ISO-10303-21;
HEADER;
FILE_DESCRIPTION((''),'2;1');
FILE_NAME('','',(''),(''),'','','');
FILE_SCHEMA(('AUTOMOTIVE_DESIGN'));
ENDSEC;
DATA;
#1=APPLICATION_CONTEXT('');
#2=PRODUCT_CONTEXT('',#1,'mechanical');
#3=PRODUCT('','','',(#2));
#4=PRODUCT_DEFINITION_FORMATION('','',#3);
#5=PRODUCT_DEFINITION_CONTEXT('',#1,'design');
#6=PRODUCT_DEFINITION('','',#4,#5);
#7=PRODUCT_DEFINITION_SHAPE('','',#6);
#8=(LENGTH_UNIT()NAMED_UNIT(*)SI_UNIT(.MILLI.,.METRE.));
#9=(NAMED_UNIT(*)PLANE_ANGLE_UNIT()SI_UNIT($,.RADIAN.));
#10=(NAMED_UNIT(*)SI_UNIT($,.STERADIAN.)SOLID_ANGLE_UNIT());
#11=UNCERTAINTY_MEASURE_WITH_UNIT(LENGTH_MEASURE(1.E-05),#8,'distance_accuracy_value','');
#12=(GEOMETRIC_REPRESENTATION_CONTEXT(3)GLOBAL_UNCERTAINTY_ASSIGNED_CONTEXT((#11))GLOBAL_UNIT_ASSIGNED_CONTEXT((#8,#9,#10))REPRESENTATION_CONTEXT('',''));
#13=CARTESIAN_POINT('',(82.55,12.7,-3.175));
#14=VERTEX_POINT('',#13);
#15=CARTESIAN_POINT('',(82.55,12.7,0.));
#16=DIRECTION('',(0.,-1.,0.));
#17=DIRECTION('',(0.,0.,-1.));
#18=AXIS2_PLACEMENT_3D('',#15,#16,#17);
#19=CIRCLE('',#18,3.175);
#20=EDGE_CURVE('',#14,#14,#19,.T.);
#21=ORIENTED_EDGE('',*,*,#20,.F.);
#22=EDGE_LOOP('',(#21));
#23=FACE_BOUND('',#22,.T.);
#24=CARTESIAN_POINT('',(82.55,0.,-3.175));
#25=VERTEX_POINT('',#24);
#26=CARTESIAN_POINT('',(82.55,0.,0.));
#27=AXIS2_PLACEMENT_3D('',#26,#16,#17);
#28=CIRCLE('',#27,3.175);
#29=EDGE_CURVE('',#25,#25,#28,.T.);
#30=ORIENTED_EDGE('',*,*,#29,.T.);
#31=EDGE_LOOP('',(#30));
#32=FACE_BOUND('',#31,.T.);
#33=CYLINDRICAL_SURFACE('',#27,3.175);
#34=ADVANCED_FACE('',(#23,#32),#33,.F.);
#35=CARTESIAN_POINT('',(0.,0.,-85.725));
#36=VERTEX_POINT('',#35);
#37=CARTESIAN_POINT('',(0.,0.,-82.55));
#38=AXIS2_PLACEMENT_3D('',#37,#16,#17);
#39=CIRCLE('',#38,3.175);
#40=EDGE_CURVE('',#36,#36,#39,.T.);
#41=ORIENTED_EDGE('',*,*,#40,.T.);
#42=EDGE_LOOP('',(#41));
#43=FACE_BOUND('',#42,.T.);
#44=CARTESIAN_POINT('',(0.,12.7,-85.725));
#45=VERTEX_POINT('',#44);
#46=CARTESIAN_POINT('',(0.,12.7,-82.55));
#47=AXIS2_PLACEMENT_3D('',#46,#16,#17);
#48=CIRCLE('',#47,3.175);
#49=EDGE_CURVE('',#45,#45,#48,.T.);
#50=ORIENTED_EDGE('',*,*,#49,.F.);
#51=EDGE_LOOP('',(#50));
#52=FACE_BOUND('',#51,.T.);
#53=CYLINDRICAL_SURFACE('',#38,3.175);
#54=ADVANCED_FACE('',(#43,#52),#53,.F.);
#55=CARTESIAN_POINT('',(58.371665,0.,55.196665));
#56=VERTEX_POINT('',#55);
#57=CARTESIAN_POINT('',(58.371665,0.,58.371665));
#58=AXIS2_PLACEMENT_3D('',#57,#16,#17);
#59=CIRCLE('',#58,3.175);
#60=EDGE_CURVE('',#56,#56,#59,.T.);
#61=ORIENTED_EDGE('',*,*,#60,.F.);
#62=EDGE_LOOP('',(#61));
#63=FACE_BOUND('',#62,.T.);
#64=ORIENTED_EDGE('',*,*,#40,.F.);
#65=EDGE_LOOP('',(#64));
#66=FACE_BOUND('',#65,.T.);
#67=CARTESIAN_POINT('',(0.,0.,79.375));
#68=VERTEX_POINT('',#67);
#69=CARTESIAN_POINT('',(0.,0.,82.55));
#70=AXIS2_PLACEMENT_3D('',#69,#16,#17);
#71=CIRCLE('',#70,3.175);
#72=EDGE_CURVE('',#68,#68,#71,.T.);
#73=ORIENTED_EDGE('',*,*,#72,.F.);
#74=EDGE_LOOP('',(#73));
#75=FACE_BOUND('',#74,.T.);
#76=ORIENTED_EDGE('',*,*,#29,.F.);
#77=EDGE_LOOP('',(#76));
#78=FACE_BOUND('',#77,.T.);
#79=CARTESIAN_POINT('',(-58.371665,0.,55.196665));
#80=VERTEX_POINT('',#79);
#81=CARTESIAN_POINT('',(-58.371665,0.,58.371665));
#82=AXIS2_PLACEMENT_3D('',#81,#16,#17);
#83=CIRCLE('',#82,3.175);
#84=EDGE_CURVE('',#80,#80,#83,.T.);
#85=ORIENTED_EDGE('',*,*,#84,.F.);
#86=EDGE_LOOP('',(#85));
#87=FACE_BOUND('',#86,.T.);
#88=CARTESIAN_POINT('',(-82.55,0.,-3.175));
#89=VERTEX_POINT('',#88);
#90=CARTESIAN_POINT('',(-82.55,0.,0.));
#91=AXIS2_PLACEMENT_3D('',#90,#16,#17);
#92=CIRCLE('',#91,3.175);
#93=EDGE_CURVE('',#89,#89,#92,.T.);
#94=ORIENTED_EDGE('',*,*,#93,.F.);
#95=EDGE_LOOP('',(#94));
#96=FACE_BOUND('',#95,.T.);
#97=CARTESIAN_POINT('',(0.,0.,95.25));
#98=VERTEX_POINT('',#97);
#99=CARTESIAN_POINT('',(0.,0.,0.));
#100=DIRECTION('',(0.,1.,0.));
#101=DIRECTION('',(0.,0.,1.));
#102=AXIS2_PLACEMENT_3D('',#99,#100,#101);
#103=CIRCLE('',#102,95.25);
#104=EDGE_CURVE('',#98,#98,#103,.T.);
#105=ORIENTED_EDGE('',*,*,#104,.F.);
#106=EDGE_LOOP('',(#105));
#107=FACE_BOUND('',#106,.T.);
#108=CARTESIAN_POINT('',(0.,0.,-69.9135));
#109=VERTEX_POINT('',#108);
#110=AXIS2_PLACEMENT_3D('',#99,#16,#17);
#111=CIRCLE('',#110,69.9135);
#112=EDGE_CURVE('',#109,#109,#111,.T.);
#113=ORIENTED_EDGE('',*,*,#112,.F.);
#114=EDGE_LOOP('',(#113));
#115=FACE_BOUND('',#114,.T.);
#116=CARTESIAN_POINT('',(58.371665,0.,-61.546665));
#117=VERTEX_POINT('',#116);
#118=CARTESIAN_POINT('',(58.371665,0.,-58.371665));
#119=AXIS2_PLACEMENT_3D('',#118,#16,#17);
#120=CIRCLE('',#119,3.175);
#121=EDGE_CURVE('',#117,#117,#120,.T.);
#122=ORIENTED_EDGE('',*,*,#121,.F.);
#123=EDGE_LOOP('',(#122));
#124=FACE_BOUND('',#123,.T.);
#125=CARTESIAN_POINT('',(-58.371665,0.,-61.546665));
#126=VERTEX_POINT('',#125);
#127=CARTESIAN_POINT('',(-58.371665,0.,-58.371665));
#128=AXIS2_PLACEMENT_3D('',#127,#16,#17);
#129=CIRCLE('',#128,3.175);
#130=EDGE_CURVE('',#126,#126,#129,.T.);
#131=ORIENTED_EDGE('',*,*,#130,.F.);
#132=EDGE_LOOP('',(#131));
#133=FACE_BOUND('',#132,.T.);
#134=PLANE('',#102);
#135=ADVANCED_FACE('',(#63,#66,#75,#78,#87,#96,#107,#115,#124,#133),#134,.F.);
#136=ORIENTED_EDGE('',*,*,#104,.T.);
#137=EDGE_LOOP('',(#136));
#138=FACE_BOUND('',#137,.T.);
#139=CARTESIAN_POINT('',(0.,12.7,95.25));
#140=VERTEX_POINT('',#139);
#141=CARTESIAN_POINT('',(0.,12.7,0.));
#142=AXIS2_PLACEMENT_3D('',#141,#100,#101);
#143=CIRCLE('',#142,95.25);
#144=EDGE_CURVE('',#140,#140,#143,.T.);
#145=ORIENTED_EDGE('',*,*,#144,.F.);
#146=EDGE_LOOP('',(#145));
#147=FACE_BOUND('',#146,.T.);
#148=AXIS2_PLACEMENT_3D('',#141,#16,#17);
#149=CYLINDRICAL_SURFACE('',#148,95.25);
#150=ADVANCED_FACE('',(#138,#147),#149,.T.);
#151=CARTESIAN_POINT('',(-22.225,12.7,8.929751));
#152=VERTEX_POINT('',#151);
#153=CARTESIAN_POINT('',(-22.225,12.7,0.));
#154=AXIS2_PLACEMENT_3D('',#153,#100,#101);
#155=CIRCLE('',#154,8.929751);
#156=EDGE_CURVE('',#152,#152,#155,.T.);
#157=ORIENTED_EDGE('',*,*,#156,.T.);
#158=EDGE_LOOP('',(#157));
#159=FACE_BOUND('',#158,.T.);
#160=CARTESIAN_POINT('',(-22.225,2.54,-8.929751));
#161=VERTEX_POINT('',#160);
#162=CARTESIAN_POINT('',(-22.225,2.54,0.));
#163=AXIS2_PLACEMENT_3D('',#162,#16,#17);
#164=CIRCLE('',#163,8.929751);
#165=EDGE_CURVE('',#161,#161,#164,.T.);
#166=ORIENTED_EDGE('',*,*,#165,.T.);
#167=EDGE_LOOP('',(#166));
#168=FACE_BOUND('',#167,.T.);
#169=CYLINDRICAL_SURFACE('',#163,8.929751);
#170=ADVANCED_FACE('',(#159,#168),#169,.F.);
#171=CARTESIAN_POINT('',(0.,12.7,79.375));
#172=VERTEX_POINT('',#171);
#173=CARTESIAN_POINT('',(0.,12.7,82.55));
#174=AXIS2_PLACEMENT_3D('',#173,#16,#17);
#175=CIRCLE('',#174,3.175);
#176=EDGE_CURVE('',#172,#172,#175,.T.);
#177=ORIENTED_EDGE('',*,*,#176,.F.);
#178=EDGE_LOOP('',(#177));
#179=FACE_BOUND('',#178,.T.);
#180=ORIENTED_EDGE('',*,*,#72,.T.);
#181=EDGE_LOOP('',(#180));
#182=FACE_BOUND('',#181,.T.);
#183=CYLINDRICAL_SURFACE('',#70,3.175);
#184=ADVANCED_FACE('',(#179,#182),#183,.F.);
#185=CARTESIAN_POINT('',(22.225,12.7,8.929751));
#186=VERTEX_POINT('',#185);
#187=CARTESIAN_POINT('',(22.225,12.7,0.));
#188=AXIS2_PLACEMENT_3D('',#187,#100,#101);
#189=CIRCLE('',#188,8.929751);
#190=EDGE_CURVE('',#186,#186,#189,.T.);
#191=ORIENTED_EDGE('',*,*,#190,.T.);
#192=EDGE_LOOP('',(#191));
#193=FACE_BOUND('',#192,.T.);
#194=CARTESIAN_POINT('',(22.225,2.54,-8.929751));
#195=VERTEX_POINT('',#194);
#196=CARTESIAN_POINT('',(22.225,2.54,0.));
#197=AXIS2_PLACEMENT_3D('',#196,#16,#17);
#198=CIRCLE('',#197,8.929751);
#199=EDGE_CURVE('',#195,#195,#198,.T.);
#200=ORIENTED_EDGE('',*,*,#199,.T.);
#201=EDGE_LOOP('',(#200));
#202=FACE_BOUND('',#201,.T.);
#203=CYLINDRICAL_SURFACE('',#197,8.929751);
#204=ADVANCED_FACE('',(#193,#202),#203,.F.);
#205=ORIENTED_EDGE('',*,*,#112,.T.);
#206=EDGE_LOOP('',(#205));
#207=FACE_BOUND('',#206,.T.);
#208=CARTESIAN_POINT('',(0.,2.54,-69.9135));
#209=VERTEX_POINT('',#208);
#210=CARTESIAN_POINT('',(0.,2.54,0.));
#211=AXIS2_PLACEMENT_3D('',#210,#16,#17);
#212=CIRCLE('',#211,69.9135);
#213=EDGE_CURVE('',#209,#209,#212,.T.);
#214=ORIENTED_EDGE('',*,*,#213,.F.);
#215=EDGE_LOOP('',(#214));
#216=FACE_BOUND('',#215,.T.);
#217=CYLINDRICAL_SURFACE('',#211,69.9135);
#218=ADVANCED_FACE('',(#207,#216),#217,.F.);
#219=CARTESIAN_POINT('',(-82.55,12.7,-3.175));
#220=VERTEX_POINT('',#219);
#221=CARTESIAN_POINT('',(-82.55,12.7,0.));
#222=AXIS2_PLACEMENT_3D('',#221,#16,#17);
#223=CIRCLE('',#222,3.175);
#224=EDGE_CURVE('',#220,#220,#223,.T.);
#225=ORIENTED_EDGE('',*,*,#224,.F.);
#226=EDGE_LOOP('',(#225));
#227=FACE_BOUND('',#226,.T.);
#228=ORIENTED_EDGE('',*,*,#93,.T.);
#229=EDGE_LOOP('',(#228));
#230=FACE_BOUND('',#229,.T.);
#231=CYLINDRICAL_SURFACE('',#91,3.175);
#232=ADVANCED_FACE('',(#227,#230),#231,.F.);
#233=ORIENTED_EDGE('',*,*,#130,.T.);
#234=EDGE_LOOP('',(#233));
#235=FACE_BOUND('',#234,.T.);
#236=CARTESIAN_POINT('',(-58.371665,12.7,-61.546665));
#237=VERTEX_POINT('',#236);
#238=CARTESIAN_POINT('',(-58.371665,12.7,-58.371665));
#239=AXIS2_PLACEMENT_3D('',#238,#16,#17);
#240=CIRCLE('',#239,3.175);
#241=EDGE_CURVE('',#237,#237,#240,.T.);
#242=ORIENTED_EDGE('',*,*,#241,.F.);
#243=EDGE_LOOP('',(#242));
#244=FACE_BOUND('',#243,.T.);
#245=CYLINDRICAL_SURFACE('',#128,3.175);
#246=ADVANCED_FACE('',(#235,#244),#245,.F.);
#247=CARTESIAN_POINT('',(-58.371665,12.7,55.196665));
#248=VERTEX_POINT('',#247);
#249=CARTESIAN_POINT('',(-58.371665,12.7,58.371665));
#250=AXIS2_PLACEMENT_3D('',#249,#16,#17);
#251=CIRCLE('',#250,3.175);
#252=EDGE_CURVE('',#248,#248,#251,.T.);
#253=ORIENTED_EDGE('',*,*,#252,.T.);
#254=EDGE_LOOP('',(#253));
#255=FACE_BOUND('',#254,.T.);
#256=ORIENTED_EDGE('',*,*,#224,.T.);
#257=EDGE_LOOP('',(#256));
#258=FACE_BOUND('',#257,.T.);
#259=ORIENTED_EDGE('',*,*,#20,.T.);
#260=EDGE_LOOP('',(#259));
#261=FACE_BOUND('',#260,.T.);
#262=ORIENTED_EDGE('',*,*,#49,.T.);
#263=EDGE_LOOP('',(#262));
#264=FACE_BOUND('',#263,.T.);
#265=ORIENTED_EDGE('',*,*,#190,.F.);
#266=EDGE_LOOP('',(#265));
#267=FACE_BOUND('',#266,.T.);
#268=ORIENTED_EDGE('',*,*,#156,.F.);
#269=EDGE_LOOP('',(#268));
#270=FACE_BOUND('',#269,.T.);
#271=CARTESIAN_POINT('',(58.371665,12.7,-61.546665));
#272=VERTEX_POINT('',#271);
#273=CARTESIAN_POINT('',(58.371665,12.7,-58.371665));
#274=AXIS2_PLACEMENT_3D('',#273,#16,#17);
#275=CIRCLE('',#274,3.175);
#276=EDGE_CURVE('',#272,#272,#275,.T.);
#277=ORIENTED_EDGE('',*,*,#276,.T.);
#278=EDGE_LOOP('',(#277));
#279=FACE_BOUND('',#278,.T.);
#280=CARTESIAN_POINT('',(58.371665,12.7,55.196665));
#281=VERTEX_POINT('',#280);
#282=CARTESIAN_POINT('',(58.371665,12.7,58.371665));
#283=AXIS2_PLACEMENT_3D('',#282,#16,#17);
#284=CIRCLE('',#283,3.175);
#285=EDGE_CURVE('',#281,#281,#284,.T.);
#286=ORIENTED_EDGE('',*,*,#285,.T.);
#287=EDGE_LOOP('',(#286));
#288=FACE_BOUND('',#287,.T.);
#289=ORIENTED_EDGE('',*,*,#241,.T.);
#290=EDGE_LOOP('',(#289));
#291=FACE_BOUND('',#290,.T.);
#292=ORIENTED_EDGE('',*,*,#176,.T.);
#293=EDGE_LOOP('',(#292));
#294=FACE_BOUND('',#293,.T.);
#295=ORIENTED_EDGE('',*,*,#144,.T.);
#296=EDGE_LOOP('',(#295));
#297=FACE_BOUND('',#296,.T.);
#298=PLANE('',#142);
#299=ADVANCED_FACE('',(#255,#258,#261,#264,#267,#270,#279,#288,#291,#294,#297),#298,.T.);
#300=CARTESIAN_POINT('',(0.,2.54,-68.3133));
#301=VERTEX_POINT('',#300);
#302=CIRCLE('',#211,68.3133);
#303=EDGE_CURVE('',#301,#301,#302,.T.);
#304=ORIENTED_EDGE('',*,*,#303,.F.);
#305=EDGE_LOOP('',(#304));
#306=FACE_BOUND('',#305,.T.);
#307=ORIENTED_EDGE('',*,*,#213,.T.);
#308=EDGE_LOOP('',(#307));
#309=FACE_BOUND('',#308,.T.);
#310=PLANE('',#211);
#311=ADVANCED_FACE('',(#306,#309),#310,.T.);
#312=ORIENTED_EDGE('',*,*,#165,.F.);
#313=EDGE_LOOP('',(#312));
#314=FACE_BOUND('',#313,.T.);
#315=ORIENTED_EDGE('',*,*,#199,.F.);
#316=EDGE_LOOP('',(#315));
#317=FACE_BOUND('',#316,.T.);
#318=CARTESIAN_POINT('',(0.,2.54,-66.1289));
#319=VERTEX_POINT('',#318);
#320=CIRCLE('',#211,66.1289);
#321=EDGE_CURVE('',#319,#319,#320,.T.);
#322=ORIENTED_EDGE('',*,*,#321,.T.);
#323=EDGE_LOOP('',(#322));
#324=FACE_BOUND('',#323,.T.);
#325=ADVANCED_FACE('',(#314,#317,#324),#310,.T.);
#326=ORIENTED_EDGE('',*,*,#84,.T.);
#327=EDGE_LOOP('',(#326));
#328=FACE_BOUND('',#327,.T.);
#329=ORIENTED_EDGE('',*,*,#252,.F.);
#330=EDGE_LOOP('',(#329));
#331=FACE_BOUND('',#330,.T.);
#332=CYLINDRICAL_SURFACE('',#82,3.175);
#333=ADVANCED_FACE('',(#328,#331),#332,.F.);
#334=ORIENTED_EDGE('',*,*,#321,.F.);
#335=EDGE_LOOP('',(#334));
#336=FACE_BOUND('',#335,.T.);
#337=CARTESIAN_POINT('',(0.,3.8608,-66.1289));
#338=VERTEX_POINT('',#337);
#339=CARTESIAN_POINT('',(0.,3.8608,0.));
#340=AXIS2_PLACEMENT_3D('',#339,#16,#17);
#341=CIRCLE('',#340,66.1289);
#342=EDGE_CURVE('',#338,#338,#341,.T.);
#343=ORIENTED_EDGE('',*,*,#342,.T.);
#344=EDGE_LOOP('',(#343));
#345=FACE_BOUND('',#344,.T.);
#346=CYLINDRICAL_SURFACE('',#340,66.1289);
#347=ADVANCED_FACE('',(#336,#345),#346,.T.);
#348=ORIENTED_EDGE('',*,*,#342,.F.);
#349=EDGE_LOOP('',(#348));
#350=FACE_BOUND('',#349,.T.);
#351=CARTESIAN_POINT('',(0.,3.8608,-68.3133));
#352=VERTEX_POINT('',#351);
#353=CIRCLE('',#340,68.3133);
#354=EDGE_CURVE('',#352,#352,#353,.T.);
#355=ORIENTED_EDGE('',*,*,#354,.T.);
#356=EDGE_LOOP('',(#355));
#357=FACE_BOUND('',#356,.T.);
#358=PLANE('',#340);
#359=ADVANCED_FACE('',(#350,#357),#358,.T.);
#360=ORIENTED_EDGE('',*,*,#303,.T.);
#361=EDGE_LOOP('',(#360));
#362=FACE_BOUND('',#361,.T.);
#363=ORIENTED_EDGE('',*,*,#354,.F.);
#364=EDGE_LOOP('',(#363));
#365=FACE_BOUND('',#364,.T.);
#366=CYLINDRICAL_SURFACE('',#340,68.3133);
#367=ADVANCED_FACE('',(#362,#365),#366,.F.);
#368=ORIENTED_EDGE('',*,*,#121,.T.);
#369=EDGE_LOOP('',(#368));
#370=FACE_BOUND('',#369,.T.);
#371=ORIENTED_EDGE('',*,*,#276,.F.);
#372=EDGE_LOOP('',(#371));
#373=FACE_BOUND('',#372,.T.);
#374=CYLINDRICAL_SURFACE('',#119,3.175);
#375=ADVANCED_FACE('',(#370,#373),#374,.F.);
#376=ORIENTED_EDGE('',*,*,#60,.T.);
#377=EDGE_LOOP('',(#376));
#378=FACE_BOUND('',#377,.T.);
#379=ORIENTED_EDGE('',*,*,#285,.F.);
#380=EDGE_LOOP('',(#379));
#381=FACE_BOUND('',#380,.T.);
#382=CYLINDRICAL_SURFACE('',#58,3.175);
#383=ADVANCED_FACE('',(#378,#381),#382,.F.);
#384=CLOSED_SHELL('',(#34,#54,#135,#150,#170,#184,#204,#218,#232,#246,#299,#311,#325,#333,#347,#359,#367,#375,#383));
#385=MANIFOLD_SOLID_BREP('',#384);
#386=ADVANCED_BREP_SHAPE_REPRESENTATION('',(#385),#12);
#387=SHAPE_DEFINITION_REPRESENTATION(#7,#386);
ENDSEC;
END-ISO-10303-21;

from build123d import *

# Parameters (mm, degrees)
SKETCH1_R                            = 95.25
BOSS_EXTRUDE1_DEPTH                  = 12.7
F_1_4_0_25_DIAMETER_HOLE1_D          = 6.35
CIRPATTERN1_COUNT                    = 8
SKETCH7_R                            = 69.9135
CUT_EXTRUDE3_DEPTH                   = 2.54
SKETCH2_R                            = 68.3133
SKETCH2_R_2                          = 66.1289
CUT_EXTRUDE1_DEPTH                   = 1.3208
F_45_64_0_70313_DIAMETER_HOLE1_D     = 17.859502
F_45_64_0_70313_DIAMETER_HOLE1_DEPTH = 25.4
F_45_64_0_70313_DIAMETER_HOLE1_TIP   = 5.365535714


with BuildPart() as part:
    # Sketch1 → Boss-Extrude1 (new body)
    with BuildSketch(Plane(origin=(0, 0, 0), x_dir=(1, 0, 0), z_dir=(0, 1, 0))):
        with Locations(Location((0, 0, 0), (0, 0, 270))):
            Circle(SKETCH1_R)
    extrude(amount=BOSS_EXTRUDE1_DEPTH)

    # 1/4 (0.25) Diameter Hole1 (through all)
    with Locations(Plane(origin=(0, 0, 0), x_dir=(-1, 0, 0), z_dir=(0, -1, 0))):
        with Locations((0, -82.55)):
            f_1_4_0_25_diameter_hole1 = Hole(F_1_4_0_25_DIAMETER_HOLE1_D / 2)

    # CirPattern1: 1/4 (0.25) Diameter Hole1 ×8 about axis
    cirpattern1_axis = Axis((0, 0, 0), (0, 1, 0))
    for i in range(1, CIRPATTERN1_COUNT):
        add(f_1_4_0_25_diameter_hole1.rotate(cirpattern1_axis, i * 360 / CIRPATTERN1_COUNT), mode=Mode.SUBTRACT)

    # Sketch7 → Cut-Extrude3 (cut)
    with BuildSketch(Plane(origin=(0, 0, 0), x_dir=(-1, 0, 0), z_dir=(0, -1, 0))):
        with Locations(Location((0, 0, 0), (0, 0, 90))):
            Circle(SKETCH7_R)
    extrude(amount=-CUT_EXTRUDE3_DEPTH, mode=Mode.SUBTRACT)

    # Sketch2 → Cut-Extrude1 (cut)
    with BuildSketch(Plane.XZ.offset(-2.54)):
        with Locations(Location((0, 0, 0), (0, 0, 270))):
            Circle(SKETCH2_R)
        with Locations(Location((0, 0, 0), (0, 0, 270))):
            Circle(SKETCH2_R_2, mode=Mode.SUBTRACT)
    extrude(amount=-CUT_EXTRUDE1_DEPTH, mode=Mode.SUBTRACT)

    # 45/64 (0.70313) Diameter Hole1
    with Locations(Plane(origin=(0, 2.54, 0), x_dir=(-1, 0, 0), z_dir=(0, -1, 0))):
        with Locations((22.225, 0), (-22.225, 0)):
            Hole(F_45_64_0_70313_DIAMETER_HOLE1_D / 2, depth=F_45_64_0_70313_DIAMETER_HOLE1_DEPTH)
            with Locations((0, 0, -(F_45_64_0_70313_DIAMETER_HOLE1_DEPTH + F_45_64_0_70313_DIAMETER_HOLE1_TIP / 2))):  # 118° drill point
                Cone(0, F_45_64_0_70313_DIAMETER_HOLE1_D / 2, F_45_64_0_70313_DIAMETER_HOLE1_TIP, mode=Mode.SUBTRACT)


solid = part.part
